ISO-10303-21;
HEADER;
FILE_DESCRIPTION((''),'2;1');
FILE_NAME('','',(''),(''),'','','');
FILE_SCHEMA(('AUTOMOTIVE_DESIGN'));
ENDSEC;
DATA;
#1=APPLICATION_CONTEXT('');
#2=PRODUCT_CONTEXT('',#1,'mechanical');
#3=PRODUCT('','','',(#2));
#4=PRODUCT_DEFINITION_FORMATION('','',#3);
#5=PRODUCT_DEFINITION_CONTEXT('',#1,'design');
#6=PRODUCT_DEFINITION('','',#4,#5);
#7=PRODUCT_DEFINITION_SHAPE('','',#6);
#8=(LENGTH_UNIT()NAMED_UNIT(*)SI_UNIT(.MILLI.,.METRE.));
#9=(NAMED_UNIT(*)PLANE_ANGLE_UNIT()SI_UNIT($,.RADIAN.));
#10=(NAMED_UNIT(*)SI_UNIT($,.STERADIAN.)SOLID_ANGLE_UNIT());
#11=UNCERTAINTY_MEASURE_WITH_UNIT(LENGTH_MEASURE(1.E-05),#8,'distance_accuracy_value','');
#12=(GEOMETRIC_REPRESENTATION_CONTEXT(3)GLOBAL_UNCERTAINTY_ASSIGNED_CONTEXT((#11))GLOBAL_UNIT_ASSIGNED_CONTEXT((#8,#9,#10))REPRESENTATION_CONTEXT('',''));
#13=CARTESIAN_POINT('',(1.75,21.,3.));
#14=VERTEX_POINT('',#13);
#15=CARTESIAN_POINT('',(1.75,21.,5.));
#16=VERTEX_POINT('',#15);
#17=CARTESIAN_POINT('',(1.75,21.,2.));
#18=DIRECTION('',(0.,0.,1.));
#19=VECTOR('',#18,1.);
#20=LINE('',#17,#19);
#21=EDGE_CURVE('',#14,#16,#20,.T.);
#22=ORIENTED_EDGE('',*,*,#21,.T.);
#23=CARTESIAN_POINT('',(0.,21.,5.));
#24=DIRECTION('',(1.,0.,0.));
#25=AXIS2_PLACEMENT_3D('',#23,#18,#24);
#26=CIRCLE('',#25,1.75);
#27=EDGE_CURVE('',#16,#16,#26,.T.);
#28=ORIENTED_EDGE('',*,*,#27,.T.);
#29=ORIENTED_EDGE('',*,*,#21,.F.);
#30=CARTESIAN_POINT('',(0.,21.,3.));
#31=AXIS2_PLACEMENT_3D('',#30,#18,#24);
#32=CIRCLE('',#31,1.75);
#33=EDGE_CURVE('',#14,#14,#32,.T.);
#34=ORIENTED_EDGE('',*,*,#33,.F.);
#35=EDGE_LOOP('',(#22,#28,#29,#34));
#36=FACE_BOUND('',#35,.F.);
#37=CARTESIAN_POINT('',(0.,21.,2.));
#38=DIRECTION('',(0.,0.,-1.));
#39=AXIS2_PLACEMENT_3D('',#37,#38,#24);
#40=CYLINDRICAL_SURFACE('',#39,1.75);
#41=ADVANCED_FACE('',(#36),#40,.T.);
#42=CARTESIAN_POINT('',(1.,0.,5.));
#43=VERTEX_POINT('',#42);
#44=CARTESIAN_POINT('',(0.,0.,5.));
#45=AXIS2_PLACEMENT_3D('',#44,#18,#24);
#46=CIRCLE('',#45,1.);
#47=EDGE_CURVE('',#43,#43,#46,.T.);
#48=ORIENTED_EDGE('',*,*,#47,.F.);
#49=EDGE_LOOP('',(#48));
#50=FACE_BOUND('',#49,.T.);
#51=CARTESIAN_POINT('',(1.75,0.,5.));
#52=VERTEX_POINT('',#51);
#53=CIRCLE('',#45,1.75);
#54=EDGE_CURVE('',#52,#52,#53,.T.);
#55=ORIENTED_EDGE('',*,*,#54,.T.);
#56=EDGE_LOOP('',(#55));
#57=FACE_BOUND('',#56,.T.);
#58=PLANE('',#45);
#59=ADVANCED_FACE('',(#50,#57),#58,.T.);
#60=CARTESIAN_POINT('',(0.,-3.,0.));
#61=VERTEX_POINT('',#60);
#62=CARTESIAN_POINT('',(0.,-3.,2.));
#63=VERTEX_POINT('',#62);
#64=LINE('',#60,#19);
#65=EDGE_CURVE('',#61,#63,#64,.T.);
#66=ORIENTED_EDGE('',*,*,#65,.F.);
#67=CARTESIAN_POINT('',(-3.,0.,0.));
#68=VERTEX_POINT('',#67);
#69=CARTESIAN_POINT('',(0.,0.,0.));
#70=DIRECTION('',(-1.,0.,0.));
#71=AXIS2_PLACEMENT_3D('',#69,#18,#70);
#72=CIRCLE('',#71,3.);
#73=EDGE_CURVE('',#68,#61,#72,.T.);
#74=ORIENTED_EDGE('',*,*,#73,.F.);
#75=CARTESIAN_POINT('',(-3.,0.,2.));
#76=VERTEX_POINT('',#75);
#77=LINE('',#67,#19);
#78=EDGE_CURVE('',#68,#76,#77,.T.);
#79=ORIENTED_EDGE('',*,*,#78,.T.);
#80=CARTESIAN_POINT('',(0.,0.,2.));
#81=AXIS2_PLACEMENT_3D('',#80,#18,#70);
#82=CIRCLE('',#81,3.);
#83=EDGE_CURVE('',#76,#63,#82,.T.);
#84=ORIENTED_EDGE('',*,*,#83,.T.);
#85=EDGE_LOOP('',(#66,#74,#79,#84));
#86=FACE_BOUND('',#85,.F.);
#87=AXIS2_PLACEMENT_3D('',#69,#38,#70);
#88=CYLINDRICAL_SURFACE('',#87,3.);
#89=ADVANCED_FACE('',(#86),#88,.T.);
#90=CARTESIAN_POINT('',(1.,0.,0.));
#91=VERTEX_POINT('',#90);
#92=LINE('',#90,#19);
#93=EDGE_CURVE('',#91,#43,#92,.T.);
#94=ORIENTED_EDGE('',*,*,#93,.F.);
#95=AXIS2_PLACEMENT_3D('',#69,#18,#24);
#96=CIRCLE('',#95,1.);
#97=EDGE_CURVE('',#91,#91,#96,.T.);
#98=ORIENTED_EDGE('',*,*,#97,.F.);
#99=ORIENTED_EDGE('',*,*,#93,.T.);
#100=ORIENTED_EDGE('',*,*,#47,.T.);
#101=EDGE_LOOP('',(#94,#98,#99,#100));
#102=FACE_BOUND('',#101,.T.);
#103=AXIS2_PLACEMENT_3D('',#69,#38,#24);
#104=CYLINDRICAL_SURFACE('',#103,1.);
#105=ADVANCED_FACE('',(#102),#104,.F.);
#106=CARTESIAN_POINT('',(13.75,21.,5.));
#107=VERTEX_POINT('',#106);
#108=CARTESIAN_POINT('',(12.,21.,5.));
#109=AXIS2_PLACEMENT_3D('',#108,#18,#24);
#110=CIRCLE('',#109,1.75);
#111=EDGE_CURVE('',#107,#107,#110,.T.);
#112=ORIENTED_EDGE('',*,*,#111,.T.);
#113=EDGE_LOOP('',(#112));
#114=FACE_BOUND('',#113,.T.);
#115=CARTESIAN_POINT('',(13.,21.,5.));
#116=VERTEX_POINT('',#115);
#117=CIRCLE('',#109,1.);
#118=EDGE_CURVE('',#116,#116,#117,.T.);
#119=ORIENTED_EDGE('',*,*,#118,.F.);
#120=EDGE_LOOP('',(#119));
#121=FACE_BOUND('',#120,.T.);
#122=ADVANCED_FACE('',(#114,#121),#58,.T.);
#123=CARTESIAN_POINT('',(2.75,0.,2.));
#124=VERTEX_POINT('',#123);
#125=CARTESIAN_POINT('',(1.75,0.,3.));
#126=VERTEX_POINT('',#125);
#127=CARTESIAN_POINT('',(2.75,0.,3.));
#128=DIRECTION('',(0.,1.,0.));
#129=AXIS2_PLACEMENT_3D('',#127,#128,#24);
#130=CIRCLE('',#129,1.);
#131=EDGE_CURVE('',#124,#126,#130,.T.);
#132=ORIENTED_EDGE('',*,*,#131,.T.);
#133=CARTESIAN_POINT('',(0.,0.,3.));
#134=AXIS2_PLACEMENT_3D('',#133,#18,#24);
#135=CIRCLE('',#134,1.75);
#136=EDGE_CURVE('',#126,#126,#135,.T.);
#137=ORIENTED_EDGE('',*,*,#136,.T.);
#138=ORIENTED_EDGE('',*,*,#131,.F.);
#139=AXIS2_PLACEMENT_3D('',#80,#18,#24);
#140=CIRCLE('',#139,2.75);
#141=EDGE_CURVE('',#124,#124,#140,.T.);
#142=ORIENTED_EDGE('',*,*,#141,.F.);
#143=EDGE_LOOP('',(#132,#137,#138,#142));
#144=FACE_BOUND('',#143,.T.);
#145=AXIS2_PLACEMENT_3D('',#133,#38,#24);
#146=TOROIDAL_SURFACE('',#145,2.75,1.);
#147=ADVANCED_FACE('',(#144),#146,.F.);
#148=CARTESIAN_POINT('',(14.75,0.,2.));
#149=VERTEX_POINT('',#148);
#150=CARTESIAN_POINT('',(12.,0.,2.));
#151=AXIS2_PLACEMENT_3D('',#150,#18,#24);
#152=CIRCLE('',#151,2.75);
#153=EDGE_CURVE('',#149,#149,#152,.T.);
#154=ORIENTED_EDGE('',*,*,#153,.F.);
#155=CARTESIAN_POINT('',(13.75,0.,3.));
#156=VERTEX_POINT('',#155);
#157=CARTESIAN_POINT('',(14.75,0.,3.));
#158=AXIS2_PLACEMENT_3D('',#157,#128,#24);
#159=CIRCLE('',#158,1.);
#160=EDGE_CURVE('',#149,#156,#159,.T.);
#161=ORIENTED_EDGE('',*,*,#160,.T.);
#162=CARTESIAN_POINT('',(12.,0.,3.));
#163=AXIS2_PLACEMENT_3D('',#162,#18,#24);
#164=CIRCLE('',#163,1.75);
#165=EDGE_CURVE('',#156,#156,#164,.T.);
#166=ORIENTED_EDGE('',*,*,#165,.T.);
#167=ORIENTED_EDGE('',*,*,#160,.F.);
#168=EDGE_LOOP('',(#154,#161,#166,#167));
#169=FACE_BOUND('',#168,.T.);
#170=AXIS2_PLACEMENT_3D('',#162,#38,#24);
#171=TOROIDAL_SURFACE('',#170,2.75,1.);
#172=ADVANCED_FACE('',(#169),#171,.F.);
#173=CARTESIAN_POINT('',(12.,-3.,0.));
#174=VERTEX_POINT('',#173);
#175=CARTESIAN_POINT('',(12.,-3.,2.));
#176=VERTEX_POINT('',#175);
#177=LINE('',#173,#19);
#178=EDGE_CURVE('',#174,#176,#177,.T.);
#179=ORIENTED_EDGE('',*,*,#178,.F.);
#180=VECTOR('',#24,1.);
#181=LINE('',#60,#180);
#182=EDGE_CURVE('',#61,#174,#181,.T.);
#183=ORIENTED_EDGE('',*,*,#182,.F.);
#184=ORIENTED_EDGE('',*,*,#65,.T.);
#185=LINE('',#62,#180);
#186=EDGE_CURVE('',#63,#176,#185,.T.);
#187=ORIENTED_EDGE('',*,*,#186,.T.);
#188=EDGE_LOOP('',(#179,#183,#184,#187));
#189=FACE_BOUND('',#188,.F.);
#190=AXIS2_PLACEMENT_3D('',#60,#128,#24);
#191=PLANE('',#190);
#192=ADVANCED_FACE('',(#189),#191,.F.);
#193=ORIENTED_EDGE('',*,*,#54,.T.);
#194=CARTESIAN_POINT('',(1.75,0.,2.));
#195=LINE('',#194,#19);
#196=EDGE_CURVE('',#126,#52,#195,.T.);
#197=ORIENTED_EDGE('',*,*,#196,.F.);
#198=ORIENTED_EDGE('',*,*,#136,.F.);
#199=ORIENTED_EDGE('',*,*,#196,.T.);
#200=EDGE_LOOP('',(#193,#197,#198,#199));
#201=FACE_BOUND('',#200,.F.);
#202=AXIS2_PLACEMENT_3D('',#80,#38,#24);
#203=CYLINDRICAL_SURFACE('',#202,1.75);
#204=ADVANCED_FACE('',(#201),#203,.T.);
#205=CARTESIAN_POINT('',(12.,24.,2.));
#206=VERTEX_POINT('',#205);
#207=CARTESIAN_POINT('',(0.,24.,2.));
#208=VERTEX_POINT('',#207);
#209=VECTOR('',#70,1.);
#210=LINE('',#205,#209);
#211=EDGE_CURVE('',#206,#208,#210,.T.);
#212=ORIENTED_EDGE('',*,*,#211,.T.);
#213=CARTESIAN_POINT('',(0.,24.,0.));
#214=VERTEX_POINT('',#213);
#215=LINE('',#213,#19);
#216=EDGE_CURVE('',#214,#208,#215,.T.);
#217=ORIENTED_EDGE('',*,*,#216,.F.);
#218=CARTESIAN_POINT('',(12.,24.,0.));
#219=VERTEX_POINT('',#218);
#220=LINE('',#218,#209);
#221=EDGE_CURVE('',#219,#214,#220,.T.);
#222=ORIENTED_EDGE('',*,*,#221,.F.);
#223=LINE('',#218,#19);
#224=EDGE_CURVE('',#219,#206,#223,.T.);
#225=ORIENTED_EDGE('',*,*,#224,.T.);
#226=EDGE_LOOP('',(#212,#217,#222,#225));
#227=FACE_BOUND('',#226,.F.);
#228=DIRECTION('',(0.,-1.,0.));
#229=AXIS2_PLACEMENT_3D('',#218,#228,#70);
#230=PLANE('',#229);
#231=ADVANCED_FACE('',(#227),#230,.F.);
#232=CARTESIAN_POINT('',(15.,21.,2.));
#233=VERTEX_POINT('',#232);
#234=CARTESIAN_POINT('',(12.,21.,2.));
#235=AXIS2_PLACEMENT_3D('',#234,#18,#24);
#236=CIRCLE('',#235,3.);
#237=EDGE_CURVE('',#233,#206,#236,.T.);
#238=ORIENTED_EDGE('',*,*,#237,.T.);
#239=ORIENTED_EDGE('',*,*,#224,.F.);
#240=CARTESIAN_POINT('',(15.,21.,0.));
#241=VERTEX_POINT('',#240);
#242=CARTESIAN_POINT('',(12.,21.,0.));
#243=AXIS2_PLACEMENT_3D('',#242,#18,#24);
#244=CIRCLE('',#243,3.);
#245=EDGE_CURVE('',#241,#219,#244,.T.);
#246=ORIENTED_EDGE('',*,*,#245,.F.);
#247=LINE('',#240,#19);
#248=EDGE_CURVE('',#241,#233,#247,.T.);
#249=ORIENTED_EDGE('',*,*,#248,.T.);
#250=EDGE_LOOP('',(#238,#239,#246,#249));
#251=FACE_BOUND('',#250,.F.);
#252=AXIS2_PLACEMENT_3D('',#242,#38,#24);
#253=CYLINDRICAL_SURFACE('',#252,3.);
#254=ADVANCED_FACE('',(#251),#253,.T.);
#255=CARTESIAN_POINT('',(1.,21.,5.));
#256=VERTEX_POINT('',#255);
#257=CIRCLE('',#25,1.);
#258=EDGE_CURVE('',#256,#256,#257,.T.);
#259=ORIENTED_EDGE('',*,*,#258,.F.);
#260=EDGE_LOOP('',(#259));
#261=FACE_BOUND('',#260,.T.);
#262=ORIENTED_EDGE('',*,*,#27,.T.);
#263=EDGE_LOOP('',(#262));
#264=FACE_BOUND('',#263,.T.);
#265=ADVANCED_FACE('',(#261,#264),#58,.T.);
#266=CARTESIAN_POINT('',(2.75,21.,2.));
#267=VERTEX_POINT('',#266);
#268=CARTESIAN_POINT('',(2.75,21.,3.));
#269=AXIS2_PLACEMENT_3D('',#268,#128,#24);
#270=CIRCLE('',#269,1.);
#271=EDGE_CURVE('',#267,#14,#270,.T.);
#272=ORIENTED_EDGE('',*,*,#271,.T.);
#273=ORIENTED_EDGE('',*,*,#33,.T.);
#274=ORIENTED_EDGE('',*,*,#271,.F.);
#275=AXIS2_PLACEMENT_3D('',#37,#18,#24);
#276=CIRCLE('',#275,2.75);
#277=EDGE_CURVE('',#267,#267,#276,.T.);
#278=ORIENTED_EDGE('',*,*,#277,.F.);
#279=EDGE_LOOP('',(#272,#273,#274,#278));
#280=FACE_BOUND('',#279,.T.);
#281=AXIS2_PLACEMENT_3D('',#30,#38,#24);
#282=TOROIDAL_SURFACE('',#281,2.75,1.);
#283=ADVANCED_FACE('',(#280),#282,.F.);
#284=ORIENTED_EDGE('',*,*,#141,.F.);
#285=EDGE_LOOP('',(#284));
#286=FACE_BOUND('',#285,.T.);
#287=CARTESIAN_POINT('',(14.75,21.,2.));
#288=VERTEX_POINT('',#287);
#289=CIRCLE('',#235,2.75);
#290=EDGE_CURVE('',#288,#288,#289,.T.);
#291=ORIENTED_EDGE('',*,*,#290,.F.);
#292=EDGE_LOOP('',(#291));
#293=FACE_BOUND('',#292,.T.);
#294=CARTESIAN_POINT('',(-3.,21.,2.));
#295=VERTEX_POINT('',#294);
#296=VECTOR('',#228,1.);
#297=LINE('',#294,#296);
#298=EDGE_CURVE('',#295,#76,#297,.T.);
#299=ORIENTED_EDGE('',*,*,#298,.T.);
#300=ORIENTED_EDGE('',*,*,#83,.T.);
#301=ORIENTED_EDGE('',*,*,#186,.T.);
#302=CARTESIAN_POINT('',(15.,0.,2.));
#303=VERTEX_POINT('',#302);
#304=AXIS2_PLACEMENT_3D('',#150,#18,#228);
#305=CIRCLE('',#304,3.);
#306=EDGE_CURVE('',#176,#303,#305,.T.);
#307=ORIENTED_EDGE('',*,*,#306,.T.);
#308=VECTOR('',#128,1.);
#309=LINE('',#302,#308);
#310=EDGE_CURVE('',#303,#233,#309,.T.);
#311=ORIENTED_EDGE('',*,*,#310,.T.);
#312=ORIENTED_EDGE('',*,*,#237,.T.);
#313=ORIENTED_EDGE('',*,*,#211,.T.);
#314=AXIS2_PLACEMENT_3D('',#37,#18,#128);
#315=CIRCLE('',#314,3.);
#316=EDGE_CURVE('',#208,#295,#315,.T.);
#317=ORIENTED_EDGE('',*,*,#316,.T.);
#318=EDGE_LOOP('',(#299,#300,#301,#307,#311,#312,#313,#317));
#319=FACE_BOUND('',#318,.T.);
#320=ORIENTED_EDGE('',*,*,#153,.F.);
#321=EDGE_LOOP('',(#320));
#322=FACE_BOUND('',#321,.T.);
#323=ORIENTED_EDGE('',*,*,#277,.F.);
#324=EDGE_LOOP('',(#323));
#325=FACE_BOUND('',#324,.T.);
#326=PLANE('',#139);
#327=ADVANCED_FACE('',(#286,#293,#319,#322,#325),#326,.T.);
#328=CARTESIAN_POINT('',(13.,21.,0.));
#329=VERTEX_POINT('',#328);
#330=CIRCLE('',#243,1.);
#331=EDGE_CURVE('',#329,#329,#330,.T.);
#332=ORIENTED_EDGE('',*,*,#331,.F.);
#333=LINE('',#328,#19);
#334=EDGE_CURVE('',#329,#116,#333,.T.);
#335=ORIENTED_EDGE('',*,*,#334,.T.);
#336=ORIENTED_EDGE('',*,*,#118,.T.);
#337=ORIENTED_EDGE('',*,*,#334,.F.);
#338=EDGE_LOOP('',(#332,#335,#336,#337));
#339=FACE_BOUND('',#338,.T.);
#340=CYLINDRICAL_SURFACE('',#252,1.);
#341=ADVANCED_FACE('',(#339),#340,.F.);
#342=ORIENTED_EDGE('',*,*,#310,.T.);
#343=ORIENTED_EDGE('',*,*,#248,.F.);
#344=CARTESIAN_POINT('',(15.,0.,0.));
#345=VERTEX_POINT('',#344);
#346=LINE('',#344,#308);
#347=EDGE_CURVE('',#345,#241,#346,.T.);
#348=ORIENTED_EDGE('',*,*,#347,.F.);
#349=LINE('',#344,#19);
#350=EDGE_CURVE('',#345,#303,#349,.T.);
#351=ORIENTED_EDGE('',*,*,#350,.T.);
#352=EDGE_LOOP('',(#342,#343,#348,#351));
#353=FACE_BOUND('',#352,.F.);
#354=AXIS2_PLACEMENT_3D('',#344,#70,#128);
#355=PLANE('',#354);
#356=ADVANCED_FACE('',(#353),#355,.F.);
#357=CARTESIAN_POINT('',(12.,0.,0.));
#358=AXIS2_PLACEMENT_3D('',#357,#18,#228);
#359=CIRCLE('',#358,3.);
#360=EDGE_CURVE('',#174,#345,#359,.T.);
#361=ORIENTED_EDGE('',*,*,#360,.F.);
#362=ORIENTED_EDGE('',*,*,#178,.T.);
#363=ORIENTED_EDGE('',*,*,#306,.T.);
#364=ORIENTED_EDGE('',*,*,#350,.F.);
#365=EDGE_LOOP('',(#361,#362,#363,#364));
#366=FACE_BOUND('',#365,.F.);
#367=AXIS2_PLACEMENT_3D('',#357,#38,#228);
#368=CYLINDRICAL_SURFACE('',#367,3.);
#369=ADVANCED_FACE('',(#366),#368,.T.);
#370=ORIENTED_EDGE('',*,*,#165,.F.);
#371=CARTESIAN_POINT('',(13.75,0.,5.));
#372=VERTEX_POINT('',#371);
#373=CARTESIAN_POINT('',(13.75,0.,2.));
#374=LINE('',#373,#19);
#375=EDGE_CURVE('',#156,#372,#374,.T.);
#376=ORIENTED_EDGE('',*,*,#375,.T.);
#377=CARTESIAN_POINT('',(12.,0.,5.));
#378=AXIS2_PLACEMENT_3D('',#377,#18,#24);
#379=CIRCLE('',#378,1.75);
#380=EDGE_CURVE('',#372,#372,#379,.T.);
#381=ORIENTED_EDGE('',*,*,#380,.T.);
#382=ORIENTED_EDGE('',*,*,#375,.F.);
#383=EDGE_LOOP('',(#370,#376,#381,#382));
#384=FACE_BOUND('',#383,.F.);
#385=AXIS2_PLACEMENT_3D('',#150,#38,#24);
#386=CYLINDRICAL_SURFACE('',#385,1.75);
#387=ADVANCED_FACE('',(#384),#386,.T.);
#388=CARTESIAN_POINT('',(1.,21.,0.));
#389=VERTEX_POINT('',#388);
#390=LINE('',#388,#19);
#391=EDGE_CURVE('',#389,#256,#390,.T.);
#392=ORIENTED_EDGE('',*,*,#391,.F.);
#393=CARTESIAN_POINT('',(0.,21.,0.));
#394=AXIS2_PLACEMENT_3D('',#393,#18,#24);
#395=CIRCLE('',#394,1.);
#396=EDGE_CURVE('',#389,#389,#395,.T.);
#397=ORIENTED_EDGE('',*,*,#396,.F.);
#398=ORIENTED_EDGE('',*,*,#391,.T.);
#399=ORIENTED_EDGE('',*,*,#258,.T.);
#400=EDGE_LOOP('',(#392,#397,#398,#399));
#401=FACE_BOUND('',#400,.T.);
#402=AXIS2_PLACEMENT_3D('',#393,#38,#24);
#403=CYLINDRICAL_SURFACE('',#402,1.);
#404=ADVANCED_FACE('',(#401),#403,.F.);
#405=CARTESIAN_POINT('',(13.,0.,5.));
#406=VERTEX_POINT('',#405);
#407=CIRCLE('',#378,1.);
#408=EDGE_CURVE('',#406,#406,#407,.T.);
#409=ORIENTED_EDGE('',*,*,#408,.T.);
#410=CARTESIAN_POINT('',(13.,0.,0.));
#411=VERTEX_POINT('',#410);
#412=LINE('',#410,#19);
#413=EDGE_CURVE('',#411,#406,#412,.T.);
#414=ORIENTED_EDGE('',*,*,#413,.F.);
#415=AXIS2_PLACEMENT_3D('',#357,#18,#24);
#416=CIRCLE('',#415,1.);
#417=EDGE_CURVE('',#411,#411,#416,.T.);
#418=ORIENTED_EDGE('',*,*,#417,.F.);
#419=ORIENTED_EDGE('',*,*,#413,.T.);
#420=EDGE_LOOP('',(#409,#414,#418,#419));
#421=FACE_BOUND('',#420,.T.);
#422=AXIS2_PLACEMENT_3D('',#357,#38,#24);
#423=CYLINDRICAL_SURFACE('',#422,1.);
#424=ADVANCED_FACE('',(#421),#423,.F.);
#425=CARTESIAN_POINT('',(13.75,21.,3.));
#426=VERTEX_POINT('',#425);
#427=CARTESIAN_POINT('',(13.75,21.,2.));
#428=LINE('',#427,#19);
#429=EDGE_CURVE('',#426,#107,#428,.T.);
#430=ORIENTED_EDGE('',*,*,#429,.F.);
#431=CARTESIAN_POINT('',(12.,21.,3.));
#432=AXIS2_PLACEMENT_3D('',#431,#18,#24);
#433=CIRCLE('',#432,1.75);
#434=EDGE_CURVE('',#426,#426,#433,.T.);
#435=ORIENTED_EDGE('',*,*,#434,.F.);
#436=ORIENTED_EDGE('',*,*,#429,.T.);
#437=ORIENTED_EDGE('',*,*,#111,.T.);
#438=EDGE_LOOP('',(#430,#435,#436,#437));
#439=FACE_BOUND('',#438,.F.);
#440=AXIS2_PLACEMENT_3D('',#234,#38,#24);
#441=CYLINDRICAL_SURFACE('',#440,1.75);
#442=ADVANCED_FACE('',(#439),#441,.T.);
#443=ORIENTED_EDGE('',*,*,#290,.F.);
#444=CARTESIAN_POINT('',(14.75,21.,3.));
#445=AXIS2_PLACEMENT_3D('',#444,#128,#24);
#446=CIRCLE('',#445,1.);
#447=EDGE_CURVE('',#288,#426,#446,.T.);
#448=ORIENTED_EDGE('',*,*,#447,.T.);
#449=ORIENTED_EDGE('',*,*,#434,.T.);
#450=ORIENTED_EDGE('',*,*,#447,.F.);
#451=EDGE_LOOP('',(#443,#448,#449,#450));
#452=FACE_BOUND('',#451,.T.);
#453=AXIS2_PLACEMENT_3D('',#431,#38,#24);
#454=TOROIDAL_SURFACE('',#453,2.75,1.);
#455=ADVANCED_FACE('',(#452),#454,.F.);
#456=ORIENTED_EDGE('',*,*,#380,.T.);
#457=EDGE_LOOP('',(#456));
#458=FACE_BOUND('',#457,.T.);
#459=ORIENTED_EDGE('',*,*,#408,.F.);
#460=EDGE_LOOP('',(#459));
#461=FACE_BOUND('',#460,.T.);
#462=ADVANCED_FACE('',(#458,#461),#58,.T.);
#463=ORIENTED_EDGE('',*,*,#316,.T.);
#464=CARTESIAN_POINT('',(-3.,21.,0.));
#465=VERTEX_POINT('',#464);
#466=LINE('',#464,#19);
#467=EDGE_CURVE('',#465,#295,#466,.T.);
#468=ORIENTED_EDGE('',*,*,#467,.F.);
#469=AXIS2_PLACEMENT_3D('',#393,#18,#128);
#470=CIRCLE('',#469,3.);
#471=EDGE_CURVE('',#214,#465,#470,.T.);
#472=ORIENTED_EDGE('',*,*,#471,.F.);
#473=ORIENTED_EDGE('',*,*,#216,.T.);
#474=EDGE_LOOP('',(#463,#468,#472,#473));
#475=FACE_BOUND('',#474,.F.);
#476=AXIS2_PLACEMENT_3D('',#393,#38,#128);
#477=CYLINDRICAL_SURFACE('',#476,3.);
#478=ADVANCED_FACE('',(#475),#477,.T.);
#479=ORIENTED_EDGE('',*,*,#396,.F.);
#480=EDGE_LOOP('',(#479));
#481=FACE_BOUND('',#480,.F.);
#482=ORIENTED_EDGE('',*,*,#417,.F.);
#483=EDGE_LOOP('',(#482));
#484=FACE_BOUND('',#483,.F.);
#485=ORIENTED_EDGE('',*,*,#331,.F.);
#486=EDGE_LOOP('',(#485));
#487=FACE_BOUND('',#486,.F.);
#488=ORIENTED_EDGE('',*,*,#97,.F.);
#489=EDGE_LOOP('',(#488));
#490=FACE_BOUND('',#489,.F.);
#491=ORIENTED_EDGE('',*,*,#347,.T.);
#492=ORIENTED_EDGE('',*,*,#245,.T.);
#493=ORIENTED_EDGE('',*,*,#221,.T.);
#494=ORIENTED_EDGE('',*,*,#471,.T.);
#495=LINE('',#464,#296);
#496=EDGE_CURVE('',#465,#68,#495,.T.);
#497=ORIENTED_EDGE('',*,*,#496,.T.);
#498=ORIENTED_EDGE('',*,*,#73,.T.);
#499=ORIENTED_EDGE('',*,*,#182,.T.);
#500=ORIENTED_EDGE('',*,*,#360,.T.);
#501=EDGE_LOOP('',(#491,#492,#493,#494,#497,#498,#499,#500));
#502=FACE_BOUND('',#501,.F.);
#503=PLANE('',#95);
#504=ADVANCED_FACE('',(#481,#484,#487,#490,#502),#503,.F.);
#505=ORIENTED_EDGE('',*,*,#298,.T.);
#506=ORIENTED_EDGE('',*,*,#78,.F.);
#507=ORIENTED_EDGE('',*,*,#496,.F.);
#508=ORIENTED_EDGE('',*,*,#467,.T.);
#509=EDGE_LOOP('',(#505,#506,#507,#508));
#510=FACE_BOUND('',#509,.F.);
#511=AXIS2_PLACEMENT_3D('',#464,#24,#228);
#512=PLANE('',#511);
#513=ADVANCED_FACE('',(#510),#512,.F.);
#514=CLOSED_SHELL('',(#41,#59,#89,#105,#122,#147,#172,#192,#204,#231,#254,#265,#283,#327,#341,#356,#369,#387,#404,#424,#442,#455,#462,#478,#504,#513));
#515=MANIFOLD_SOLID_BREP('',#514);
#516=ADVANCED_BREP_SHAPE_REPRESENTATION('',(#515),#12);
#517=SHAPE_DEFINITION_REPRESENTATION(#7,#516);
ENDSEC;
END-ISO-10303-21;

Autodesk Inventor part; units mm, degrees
ref_plane "YZ Plane" through (0, 0, 0) normal (1, 0, 0) x (0, 1, 0)
ref_plane "XZ Plane" through (0, 0, 0) normal (0, 1, 0) x (-1, 0, 0)
ref_plane "XY Plane" through (0, 0, 0) normal (0, 0, 1) x (1, 0, 0)
sketch "Náčrt1" plane through (0, 0, 0) normal (0, 0, 1) x (1, 0, 0)
  circle A0 centre (0, 0) radius 1
  circle A1 centre (12, 0) radius 1
  circle A2 centre (0, 21) radius 1
  circle A3 centre (12, 21) radius 1
  line L0 (12, 24) -> (0, 24)
  arc A4 (0, 24) -> (-3, 21) centre (0, 21) ccw
  line L1 (-3, 21) -> (-3, 0)
  arc A5 (-3, 0) -> (0, -3) centre (0, 0) ccw
  line L2 (0, -3) -> (12, -3)
  arc A6 (12, -3) -> (15, 0) centre (12, 0) ccw
  line L3 (15, 0) -> (15, 21)
  arc A7 (15, 21) -> (12, 24) centre (12, 21) ccw
  dimension "d0" = 2
  dimension "d1" = 10
extrude "Vysunutí1" add sketch "Náčrt1" along normal blind 2
sketch "Náčrt2" plane through (0, 0, 2) normal (0, 0, 1) x (1, 0, 0)
  circle A0 centre (0, 0) radius 1 projected
  circle A1 centre (0, 0) radius 1
  line L0 (0, -3) -> (12, -3) projected
  circle A2 centre (12, 0) radius 1
  line L1 (-3, 21) -> (-3, 0) projected
  line L2 (15, 0) -> (15, 21) projected
  circle A3 centre (0, 21) radius 1
  circle A4 centre (12, 21) radius 1
  circle A5 centre (0, 21) radius 1.75
  circle A6 centre (12, 21) radius 1.75
  circle A7 centre (12, 0) radius 1.75
  circle A8 centre (0, 0) radius 1.75
  dimension "d10" = 0.75
  dimension "d11" = 0.75
  dimension "d12" = 0.75
  dimension "d14" = 0.75
extrude "Vysunutí2" add sketch "Náčrt2" along normal blind 3
fillet "Zaoblení1" radius 1 1 edges at (-1.75, 0, 2)
fillet "Zaoblení2" radius 1 3 edges at (-1.75, 21, 2) (10.25, 21, 2) (10.25, 0, 2)
properties part number "drzak_kamery"
